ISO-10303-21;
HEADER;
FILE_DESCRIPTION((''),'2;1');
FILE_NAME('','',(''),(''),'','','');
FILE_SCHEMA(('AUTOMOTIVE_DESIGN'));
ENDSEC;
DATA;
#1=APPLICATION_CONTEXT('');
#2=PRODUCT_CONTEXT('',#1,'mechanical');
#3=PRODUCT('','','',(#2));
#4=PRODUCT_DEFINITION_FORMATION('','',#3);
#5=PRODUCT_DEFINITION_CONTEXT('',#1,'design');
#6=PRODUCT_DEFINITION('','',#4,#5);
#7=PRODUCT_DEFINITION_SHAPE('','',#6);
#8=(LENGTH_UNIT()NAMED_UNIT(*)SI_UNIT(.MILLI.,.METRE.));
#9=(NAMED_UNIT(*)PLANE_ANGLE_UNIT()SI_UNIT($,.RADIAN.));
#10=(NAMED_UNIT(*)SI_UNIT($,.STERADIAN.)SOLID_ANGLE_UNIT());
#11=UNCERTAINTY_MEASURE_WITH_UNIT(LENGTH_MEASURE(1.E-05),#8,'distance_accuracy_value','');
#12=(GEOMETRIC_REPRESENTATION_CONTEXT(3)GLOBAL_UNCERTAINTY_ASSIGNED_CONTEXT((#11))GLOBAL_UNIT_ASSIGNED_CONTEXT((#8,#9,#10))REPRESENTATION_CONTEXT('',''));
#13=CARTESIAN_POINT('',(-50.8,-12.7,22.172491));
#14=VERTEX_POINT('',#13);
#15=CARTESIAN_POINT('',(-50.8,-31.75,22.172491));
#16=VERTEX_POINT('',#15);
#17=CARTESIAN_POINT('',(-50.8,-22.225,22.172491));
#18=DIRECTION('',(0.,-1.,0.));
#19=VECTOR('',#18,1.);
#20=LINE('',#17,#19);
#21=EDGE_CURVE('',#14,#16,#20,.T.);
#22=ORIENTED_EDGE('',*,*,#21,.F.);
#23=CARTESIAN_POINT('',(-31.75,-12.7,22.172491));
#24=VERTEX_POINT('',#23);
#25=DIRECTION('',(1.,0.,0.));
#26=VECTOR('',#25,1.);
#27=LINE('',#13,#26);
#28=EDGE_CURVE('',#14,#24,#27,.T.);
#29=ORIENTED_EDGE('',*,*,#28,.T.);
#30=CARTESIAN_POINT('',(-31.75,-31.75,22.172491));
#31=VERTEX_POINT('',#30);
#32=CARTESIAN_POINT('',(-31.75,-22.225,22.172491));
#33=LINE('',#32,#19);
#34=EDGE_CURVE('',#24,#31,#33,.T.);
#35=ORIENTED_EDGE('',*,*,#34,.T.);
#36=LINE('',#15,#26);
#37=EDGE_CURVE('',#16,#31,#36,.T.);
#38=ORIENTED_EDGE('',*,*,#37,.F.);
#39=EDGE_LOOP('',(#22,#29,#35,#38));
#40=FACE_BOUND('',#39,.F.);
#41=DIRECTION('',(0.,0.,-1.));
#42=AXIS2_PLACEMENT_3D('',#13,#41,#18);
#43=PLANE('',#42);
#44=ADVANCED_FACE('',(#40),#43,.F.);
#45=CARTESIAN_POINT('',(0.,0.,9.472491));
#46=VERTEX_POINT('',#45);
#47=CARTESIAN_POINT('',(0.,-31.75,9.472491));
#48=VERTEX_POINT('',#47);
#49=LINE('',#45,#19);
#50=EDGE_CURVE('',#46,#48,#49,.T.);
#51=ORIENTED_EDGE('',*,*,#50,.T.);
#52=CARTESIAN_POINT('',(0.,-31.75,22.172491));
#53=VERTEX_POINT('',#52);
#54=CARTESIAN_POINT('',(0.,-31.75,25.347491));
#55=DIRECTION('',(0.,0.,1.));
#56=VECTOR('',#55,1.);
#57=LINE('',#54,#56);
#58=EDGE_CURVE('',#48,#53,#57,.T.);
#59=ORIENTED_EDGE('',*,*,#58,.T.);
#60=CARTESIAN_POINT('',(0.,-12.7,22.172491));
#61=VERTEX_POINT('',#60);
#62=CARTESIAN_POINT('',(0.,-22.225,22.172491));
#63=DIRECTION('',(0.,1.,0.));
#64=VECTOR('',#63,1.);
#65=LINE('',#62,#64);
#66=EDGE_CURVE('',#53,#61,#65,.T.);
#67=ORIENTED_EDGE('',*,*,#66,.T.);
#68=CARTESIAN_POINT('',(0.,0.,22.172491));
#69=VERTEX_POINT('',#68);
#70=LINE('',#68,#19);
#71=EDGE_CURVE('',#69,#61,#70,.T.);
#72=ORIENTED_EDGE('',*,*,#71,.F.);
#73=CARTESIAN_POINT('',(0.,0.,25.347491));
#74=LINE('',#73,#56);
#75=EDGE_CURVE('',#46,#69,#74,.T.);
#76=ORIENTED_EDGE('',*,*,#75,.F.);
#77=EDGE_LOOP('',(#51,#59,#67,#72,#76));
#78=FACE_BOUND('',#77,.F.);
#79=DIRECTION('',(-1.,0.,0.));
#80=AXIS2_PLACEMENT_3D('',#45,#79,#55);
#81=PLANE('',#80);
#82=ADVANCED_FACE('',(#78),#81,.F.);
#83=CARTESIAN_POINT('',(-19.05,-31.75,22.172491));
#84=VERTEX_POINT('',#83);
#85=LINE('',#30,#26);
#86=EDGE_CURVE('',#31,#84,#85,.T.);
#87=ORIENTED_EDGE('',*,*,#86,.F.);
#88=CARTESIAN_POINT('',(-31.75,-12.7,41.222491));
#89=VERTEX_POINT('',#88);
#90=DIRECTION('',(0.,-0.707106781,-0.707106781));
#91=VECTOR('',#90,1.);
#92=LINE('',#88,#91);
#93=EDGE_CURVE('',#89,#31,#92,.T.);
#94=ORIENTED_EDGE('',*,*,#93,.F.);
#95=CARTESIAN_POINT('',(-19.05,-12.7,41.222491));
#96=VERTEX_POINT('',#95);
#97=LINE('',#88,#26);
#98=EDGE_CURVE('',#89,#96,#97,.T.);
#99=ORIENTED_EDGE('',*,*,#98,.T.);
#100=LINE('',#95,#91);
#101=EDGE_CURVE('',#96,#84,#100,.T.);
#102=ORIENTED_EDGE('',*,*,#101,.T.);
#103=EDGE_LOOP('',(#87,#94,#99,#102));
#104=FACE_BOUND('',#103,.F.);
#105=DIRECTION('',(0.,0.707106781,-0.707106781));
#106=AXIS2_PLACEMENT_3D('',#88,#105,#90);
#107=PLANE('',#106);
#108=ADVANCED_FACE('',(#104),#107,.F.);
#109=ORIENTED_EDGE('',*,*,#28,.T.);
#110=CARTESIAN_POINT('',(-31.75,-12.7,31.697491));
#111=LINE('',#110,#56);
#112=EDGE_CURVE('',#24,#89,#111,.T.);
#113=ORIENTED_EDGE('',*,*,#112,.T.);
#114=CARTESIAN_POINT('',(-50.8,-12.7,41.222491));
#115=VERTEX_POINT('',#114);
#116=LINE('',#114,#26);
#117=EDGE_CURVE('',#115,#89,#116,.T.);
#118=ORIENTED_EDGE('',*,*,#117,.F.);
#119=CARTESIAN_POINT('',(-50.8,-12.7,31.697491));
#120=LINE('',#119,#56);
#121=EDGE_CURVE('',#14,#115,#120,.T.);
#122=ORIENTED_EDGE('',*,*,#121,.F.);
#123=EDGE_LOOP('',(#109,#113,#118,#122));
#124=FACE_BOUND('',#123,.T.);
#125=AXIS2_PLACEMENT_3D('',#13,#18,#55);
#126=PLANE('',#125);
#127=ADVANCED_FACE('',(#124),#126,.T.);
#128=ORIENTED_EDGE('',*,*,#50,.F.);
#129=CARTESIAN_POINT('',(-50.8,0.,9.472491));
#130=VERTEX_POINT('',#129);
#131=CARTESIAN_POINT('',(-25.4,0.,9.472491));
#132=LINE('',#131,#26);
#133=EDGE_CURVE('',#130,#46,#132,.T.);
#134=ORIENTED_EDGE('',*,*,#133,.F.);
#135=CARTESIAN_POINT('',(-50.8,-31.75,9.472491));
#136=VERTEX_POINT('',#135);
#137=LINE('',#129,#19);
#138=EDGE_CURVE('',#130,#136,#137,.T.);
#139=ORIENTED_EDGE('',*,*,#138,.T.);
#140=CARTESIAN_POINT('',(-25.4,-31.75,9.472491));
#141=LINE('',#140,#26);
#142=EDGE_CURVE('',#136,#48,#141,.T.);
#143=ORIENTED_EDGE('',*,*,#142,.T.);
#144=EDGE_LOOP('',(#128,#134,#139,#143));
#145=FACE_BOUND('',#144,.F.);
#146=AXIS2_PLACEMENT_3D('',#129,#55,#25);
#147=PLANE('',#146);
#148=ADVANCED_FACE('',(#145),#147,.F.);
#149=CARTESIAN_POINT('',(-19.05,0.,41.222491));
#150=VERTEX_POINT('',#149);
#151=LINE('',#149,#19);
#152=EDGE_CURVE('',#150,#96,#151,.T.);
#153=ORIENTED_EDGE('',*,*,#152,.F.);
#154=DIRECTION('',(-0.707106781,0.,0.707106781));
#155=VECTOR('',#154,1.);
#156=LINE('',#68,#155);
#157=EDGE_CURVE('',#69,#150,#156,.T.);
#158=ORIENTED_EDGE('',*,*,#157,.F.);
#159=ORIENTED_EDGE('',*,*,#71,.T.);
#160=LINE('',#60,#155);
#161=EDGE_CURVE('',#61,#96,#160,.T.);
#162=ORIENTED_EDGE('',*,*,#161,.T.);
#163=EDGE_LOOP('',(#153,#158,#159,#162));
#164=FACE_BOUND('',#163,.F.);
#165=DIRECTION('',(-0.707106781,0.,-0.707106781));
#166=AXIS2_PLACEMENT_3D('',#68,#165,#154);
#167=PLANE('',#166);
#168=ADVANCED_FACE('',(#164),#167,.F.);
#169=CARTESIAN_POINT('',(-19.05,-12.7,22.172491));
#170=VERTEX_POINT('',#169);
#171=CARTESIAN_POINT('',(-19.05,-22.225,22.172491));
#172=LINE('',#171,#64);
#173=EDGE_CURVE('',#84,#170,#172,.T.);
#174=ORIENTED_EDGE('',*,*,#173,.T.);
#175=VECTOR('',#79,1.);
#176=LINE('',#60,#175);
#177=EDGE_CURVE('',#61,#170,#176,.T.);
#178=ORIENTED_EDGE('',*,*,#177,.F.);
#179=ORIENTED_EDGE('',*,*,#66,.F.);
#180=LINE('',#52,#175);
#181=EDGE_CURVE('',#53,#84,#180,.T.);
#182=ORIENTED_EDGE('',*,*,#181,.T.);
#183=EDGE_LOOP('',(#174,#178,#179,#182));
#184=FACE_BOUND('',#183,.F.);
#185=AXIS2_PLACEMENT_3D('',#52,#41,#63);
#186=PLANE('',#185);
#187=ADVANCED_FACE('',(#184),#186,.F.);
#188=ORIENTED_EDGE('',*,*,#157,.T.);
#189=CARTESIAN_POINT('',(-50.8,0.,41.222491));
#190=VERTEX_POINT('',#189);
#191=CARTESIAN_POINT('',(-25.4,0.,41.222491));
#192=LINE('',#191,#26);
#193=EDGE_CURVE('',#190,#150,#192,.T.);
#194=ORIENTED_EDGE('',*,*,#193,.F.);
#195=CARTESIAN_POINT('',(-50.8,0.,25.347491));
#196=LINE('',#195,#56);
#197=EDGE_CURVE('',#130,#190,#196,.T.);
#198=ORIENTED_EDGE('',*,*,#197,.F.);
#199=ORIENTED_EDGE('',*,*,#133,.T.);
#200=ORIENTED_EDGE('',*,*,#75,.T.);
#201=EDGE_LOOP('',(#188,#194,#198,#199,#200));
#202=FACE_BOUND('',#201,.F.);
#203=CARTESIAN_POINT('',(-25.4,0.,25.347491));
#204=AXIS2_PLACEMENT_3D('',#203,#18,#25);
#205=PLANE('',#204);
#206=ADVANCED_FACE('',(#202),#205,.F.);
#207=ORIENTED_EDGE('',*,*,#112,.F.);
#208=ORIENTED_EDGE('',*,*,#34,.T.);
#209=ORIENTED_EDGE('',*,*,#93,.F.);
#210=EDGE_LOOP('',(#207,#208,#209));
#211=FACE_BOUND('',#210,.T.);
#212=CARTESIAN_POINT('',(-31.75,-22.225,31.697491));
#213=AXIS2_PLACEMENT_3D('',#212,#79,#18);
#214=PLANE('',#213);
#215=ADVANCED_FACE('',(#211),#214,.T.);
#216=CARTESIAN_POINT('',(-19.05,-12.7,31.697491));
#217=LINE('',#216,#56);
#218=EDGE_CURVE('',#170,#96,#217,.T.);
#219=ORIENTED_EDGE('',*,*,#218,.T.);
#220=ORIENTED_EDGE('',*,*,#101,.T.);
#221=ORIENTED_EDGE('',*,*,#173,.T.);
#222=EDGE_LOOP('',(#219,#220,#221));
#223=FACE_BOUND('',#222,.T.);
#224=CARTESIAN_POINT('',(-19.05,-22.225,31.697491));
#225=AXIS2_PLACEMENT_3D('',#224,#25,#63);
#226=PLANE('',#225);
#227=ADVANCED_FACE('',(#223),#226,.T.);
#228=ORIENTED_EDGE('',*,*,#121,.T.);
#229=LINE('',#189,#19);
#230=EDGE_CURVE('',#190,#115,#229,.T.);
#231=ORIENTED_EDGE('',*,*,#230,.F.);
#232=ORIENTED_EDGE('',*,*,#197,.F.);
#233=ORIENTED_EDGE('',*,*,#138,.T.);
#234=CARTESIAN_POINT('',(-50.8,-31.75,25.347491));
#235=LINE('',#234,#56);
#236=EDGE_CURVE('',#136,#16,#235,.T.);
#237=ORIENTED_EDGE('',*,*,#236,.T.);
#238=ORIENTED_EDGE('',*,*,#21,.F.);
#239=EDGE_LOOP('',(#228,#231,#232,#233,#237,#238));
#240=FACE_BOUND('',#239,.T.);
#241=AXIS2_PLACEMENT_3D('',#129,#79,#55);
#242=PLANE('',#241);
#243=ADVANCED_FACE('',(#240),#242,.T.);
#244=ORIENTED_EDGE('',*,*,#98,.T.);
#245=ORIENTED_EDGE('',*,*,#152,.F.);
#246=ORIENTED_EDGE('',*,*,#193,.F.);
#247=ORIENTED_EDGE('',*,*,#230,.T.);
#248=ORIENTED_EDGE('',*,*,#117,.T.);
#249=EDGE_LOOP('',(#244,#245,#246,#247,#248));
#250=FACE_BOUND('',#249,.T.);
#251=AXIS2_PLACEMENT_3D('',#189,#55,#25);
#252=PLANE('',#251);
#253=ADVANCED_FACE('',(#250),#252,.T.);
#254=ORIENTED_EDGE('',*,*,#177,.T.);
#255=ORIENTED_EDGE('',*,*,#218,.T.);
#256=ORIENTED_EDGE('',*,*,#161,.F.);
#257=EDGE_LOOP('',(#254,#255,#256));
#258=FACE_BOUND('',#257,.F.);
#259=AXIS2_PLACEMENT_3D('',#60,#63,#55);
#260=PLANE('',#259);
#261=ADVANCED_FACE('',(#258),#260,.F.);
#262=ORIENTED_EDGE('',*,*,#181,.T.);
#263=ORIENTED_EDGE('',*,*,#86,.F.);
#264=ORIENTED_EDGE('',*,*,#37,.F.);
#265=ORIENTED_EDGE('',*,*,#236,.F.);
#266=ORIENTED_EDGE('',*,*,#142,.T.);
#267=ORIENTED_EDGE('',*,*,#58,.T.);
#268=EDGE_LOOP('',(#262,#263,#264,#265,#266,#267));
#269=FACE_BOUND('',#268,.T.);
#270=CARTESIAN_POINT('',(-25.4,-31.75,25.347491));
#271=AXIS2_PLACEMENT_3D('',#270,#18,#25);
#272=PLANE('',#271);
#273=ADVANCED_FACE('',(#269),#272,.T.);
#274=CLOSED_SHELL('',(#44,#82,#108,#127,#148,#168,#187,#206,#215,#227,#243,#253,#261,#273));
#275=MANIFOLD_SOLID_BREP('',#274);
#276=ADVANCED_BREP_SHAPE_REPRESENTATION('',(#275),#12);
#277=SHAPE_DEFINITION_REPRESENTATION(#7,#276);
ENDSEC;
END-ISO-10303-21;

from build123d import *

# Parameters (mm, degrees)
F0_W     = 50.8
F0_H     = 31.75
F1_DEPTH = 31.75
F2_W     = 19.05
F2_H     = 19.05
F3_DEPTH = 19.05
F5_DEPTH = 12.7
F6_W     = 19.05
F6_H     = 19.05
F7_DEPTH = 19.05
F9_DEPTH = 12.7


with BuildPart() as f1:
    # F0 (on Front) → F1 (new body)
    with BuildSketch(Plane.XZ):
        with Locations((-25.4, 25.347491)):
            Rectangle(F0_W, F0_H)
    extrude(amount=F1_DEPTH)

    # F2 (on face) → F3 (cut)
    with BuildSketch(Plane(origin=(-50.8, 0, 0), x_dir=(0, -1, 0), z_dir=(-1, 0, 0))):
        with Locations((22.225, 31.697491)):
            Rectangle(F2_W, F2_H)
    extrude(amount=-F3_DEPTH, mode=Mode.SUBTRACT)

    # F4 (on face) → F5 (cut)
    with BuildSketch(Plane(origin=(-31.75, 0, 0), x_dir=(0, -1, 0), z_dir=(-1, 0, 0))):
        Polygon((31.75, 41.222491), (12.7, 41.222491), (31.75, 22.172491), align=None)
    extrude(amount=-F5_DEPTH, mode=Mode.SUBTRACT)

    # F6 (on face) → F7 (cut)
    with BuildSketch(Plane.YZ):
        with Locations((-22.225, 31.697491)):
            Rectangle(F6_W, F6_H)
    extrude(amount=-F7_DEPTH, mode=Mode.SUBTRACT)

    # F8 (on face) → F9 (cut)
    with BuildSketch(Plane(origin=(0, 0, 0), x_dir=(-1, 0, 0), z_dir=(0, 1, 0))):
        Polygon((0, 22.172491), (19.05, 41.222491), (0, 41.222491), align=None)
    extrude(amount=-F9_DEPTH, mode=Mode.SUBTRACT)


solid = f1.part
